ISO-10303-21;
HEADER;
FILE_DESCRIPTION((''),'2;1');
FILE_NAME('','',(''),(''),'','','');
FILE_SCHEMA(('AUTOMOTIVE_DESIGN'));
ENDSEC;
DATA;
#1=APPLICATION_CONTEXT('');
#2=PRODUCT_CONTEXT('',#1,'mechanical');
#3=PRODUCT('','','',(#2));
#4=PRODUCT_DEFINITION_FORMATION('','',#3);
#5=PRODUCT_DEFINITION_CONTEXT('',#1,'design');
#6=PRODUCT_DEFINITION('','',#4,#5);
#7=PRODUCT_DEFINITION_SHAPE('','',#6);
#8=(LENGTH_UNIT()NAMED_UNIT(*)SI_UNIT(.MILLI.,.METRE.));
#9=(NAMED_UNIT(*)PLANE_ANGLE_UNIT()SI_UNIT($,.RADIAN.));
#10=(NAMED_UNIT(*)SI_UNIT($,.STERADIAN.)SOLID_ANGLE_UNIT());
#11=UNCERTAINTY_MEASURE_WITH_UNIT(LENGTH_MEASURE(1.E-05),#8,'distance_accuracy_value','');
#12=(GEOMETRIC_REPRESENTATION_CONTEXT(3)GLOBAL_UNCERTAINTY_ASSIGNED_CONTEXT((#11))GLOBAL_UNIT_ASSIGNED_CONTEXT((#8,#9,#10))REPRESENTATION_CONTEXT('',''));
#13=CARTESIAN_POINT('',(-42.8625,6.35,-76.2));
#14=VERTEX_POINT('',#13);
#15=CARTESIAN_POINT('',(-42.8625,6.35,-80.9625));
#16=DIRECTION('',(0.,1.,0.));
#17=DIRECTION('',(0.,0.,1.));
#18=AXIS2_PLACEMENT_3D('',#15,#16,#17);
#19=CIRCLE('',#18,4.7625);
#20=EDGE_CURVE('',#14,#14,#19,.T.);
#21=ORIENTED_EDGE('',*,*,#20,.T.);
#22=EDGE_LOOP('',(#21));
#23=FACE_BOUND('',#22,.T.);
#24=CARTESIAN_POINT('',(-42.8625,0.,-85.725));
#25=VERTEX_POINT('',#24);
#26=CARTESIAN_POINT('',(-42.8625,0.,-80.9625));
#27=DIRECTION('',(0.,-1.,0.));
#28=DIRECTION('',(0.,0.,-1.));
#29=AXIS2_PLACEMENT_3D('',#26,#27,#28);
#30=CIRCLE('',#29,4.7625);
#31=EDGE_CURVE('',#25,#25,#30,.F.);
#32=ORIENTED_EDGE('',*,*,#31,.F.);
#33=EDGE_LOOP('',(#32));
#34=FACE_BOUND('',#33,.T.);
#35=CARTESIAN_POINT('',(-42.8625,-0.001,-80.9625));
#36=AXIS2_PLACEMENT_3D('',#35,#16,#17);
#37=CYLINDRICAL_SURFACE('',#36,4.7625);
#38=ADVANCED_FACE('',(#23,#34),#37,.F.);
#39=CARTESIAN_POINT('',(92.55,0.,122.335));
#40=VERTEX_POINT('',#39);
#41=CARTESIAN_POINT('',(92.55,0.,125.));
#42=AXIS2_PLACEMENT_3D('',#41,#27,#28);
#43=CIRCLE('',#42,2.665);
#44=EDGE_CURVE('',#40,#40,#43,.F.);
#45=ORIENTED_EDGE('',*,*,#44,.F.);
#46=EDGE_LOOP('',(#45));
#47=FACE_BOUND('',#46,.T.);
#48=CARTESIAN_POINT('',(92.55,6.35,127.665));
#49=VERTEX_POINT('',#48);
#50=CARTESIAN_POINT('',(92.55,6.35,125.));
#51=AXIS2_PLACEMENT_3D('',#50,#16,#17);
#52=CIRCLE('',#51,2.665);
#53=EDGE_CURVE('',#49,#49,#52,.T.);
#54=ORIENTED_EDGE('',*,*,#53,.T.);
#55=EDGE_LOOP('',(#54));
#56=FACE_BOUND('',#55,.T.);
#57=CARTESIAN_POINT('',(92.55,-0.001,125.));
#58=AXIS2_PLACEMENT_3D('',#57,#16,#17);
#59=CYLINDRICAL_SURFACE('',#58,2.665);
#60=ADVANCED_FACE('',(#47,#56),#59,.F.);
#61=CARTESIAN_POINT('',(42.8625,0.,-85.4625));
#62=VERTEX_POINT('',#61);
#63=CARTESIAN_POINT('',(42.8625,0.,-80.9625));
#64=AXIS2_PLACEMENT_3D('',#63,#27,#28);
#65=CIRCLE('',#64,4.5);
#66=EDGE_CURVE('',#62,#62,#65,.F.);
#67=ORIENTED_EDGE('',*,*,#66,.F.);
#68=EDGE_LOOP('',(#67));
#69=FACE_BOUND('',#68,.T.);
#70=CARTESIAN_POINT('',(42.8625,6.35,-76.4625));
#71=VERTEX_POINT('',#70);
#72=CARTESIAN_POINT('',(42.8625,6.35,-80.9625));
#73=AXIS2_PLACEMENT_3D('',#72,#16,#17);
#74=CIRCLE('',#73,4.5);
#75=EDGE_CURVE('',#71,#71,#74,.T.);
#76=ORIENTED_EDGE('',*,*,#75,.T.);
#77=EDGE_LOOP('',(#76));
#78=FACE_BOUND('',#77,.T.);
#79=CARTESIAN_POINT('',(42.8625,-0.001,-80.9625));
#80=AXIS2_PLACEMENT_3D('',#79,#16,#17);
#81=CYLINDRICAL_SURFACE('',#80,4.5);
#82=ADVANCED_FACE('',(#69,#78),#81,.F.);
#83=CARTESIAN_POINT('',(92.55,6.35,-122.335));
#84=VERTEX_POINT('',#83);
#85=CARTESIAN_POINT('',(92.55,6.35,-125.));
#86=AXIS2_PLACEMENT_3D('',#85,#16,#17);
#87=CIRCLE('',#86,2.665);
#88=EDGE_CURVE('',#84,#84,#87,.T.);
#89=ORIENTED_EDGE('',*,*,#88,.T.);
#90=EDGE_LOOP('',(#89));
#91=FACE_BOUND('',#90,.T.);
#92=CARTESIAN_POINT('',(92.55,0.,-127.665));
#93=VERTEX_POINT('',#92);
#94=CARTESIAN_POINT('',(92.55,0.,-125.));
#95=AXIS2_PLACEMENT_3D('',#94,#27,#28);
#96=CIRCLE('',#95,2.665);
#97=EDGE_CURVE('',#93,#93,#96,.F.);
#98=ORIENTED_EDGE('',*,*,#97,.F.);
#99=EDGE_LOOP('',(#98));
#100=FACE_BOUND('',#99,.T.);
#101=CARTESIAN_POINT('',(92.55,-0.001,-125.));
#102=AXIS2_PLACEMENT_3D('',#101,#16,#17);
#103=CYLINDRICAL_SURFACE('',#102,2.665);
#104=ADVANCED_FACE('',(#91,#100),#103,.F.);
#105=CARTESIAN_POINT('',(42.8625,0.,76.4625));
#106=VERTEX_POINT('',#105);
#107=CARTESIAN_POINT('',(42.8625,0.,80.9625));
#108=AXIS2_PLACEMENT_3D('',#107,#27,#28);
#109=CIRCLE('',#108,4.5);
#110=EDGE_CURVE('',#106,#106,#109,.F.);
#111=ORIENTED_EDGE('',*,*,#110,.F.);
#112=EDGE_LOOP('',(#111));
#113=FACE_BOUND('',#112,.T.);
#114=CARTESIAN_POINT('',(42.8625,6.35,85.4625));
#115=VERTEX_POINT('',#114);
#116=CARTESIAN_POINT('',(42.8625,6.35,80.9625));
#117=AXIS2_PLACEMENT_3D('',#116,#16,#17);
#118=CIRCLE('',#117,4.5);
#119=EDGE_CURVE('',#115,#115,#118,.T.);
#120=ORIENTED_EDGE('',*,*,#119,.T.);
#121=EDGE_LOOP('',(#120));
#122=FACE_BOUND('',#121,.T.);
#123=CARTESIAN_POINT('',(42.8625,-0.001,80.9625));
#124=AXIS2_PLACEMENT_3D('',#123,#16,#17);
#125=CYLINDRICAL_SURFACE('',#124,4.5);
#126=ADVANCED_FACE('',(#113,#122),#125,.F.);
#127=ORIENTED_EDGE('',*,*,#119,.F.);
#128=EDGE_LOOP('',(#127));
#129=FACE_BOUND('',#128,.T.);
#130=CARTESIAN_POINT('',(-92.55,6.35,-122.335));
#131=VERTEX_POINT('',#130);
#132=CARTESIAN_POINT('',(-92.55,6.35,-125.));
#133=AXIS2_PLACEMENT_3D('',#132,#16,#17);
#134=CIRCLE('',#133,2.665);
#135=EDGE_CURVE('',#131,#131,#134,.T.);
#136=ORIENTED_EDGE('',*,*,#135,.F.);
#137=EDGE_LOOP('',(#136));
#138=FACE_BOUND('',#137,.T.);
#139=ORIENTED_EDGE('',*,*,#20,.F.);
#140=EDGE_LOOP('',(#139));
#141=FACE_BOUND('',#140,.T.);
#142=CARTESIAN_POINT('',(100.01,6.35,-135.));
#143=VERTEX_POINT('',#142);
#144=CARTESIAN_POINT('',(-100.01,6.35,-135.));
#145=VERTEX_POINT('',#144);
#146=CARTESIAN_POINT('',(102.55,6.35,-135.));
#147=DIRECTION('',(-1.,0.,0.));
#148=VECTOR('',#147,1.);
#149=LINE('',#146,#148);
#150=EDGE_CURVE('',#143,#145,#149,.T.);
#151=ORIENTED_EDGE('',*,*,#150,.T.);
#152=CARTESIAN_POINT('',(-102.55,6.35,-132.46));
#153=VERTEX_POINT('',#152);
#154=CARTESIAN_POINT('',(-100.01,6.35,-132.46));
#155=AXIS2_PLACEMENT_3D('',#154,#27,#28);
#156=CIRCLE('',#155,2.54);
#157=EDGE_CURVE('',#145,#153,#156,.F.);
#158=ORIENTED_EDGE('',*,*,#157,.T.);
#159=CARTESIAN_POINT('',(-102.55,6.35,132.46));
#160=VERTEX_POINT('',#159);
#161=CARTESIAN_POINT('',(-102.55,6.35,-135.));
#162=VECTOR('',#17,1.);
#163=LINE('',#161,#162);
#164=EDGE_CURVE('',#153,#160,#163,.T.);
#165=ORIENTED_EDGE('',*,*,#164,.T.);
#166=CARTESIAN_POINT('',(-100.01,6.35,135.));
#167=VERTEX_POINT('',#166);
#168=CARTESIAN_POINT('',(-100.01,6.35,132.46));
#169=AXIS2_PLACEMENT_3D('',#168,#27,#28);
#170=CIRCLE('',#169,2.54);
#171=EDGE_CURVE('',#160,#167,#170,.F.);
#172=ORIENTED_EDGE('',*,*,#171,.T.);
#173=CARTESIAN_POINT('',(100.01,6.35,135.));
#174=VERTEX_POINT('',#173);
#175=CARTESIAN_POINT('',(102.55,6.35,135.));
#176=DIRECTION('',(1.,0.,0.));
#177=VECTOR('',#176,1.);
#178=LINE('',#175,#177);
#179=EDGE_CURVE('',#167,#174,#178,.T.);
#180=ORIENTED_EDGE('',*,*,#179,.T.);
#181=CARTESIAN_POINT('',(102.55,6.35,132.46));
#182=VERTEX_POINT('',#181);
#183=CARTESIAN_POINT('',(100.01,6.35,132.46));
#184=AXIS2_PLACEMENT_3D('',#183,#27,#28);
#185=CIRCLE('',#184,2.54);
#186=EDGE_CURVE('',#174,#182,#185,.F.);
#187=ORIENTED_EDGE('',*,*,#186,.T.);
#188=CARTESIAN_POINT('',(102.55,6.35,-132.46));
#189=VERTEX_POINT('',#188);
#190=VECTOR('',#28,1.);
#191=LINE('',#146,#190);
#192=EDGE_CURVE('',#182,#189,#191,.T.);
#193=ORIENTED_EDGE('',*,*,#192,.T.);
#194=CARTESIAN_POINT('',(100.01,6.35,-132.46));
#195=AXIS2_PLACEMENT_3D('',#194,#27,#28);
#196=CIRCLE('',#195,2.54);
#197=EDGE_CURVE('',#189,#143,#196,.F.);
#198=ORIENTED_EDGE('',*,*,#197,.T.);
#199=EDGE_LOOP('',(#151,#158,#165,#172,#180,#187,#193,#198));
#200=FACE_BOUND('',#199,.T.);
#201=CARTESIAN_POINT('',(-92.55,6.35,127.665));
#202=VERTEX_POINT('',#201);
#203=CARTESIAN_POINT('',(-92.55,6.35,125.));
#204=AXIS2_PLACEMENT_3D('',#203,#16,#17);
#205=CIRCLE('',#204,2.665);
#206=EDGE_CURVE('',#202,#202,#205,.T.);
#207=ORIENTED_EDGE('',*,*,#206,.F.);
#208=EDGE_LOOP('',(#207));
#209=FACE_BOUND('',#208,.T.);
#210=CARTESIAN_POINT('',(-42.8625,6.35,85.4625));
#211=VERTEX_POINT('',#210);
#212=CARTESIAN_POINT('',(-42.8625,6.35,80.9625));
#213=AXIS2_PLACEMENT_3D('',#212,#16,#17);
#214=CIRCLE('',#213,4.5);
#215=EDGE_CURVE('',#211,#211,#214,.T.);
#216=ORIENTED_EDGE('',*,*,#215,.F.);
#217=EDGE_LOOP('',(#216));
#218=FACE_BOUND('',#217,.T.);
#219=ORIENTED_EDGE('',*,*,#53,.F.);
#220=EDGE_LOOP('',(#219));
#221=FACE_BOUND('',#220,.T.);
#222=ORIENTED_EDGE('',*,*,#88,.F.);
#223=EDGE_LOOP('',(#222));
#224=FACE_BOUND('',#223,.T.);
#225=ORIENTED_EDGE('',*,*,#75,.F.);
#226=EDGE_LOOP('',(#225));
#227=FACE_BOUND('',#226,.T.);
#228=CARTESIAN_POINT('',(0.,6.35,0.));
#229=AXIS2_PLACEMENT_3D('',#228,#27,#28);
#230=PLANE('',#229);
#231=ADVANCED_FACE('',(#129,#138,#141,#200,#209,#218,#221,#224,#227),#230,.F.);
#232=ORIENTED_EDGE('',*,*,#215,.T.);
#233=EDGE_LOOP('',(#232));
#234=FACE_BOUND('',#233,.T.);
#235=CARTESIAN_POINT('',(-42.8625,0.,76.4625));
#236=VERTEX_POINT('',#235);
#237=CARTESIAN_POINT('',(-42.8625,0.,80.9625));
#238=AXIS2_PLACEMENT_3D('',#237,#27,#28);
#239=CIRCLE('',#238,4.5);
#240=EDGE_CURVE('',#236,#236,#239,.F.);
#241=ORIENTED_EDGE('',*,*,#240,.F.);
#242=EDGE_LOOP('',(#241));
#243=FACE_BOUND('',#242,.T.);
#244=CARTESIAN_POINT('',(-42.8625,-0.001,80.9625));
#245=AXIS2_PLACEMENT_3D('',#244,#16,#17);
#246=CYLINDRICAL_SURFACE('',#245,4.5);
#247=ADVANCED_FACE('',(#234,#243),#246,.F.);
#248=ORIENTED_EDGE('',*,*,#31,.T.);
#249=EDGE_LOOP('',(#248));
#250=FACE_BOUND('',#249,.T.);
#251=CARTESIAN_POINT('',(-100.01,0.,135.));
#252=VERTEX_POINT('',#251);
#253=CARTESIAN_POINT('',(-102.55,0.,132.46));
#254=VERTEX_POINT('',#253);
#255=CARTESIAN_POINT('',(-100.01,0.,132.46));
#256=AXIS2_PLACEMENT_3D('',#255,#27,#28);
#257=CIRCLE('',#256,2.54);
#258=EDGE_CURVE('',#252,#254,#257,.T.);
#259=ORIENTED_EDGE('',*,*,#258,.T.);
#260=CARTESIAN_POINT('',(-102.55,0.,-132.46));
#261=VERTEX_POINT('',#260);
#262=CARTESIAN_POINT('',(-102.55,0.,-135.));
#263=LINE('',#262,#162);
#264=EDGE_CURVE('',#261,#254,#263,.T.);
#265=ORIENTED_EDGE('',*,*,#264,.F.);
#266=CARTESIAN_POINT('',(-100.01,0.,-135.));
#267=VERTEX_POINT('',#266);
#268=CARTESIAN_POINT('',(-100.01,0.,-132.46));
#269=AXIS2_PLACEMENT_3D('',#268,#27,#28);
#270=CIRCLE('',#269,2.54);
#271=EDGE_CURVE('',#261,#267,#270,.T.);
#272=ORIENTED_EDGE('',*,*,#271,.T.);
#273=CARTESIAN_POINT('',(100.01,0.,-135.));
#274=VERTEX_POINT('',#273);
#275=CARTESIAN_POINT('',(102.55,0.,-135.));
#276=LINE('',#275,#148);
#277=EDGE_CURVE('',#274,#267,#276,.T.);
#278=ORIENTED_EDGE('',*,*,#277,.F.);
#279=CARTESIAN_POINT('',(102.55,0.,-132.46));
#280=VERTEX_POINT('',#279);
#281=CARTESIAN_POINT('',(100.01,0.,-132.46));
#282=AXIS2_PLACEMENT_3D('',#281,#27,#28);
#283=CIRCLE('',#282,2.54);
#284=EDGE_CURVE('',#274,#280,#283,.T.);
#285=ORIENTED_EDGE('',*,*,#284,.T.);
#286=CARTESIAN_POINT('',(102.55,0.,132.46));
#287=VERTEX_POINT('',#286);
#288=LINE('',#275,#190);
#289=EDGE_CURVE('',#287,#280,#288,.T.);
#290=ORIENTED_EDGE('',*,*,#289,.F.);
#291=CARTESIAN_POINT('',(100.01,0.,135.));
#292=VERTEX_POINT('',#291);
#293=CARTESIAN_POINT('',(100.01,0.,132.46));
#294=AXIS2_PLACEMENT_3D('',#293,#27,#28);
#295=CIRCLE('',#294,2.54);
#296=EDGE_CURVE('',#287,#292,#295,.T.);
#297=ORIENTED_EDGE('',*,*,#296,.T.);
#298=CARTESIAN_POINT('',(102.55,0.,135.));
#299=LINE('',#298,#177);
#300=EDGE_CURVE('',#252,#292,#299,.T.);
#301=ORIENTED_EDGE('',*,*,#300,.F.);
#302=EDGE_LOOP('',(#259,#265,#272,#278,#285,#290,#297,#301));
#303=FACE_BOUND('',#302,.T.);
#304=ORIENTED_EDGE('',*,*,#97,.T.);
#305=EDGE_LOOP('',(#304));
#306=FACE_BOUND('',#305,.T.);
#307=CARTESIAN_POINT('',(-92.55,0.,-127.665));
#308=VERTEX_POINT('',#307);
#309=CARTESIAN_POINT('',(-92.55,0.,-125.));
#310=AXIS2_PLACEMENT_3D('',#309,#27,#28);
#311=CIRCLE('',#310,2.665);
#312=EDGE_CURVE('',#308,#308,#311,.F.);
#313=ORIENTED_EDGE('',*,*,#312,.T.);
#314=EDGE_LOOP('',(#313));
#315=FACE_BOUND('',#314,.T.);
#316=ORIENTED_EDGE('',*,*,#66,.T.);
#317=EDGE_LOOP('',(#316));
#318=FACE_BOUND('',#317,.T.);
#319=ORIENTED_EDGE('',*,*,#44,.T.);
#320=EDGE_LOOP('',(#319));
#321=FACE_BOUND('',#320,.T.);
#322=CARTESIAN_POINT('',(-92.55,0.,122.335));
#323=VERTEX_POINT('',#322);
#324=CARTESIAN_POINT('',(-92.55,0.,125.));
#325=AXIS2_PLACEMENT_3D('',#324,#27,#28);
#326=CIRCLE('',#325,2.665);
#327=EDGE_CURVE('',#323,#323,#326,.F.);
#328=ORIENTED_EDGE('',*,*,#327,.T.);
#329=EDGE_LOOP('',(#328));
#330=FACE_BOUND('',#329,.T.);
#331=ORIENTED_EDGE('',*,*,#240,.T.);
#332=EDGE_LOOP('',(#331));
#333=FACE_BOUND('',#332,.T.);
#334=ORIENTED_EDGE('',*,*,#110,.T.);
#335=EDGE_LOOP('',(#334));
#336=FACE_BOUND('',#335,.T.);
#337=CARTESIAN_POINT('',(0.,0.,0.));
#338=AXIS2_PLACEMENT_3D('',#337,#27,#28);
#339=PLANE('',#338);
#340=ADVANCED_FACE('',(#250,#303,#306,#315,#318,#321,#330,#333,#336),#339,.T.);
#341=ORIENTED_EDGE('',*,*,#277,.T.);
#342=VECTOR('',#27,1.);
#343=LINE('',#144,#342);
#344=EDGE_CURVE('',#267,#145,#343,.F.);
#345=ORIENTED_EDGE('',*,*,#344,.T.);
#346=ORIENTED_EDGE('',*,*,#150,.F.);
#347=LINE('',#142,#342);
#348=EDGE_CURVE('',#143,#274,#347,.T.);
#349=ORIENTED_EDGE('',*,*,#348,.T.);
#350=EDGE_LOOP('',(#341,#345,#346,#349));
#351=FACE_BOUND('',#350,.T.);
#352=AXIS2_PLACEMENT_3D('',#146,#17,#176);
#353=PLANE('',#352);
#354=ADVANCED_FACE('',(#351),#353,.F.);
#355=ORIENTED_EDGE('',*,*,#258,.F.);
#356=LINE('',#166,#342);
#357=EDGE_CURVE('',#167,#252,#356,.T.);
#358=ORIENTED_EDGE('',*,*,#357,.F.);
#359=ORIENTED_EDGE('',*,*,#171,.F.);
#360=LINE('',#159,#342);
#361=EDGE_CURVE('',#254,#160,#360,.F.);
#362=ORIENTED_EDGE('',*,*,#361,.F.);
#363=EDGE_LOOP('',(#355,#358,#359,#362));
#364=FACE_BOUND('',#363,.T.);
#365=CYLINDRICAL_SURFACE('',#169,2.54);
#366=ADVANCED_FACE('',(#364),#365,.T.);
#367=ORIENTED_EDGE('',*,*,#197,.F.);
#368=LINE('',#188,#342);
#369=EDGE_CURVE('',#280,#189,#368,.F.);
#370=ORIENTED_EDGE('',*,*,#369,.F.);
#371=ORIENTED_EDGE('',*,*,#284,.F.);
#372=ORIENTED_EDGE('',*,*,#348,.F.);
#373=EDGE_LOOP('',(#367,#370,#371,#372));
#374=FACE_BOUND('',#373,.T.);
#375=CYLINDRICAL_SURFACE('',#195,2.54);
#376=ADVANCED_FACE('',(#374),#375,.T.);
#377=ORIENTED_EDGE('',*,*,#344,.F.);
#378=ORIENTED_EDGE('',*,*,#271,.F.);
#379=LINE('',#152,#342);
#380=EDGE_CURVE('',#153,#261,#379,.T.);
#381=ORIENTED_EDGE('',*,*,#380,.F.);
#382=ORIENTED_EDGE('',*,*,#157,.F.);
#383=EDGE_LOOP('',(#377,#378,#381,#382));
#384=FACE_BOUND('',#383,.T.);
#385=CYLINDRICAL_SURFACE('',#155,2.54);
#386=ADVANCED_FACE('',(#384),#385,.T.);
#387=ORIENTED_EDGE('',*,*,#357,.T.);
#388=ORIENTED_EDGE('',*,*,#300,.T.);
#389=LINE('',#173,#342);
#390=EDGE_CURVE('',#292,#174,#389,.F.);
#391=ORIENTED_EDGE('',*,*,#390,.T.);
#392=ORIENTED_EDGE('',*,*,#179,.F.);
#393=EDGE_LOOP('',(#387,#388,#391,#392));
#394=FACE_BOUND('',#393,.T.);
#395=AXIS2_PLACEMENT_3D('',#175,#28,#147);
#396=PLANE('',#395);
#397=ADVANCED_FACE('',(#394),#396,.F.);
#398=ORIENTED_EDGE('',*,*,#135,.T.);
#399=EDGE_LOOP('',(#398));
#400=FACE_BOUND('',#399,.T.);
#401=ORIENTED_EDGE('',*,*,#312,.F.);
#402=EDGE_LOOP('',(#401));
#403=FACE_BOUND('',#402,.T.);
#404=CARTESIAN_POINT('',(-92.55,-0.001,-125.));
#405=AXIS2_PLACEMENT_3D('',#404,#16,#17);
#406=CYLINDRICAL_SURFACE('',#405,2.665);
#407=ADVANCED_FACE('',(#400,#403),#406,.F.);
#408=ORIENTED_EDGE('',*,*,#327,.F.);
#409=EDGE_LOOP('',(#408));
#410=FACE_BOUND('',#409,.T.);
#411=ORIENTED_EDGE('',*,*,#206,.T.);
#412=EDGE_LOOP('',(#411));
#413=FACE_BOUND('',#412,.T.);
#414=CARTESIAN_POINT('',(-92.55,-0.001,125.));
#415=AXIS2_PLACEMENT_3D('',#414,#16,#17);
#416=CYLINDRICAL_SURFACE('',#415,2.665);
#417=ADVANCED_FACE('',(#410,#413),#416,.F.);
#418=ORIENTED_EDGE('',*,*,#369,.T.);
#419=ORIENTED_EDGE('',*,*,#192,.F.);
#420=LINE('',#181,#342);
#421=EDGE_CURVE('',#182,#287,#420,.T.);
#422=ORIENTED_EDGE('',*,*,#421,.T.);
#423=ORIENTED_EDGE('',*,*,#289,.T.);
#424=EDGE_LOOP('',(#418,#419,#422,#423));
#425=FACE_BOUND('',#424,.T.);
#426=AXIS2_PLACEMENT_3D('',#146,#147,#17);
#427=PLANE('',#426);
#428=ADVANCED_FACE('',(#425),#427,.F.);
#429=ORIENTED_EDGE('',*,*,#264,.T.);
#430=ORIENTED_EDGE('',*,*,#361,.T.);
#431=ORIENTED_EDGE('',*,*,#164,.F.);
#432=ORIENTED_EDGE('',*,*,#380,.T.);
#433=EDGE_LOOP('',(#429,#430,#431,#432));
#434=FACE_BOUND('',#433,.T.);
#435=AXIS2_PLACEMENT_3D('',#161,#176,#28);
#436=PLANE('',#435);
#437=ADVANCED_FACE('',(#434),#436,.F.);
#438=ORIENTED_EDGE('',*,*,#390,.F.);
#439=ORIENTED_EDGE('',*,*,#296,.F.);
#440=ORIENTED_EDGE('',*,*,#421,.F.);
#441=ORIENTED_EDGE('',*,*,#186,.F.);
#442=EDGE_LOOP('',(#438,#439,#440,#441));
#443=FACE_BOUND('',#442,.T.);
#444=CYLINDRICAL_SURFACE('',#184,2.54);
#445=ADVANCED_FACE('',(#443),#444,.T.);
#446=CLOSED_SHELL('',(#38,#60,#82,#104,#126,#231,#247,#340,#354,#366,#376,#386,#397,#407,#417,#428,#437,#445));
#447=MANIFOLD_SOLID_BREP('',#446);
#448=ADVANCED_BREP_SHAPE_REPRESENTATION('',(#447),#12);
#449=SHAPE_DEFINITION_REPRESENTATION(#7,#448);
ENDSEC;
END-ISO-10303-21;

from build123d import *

# Parameters (mm, degrees)
SKETCH1_W           = 205.1
SKETCH1_H           = 270
BOSS_EXTRUDE1_DEPTH = 6.35
CUT_EXTRUDE2_REACH  = 171.652
SKETCH3_R           = 2.665
CUT_EXTRUDE3_REACH  = 171.652
SKETCH2_R           = 4.7625
SKETCH2_R_2         = 4.5
FILLET1_R           = 2.54


with BuildPart() as part:
    # Sketch1 → Boss-Extrude1 (new body)
    with BuildSketch(Plane(origin=(0, 0, 0), x_dir=(1, 0, 0), z_dir=(0, 1, 0))):
        Rectangle(SKETCH1_W, SKETCH1_H)
    extrude(amount=BOSS_EXTRUDE1_DEPTH)

    # Sketch3 → Cut-Extrude2 (cut, up to next)
    with BuildSketch(Plane(origin=(0, 6.35, 0), x_dir=(-1, 0, 0), z_dir=(0, 1, 0)), mode=Mode.PRIVATE) as cut_extrude2_sk1:
        with Locations(Location((92.55, 125, 0), (0, 0, 90))):
            Circle(SKETCH3_R)
    cut_extrude2_tool1 = extrude(cut_extrude2_sk1.sketch, amount=-CUT_EXTRUDE2_REACH, mode=Mode.PRIVATE) & part.part
    # Sketch3 → Cut-Extrude2 (cut, up to next)
    with BuildSketch(Plane(origin=(0, 6.35, 0), x_dir=(-1, 0, 0), z_dir=(0, 1, 0)), mode=Mode.PRIVATE) as cut_extrude2_sk2:
        with Locations(Location((-92.55, 125, 0), (0, 0, 90))):
            Circle(SKETCH3_R)
    cut_extrude2_tool2 = extrude(cut_extrude2_sk2.sketch, amount=-CUT_EXTRUDE2_REACH, mode=Mode.PRIVATE) & part.part
    # Sketch3 → Cut-Extrude2 (cut, up to next)
    with BuildSketch(Plane(origin=(0, 6.35, 0), x_dir=(-1, 0, 0), z_dir=(0, 1, 0)), mode=Mode.PRIVATE) as cut_extrude2_sk3:
        with Locations(Location((-92.55, -125, 0), (0, 0, 90))):
            Circle(SKETCH3_R)
    cut_extrude2_tool3 = extrude(cut_extrude2_sk3.sketch, amount=-CUT_EXTRUDE2_REACH, mode=Mode.PRIVATE) & part.part
    # Sketch3 → Cut-Extrude2 (cut, up to next)
    with BuildSketch(Plane(origin=(0, 6.35, 0), x_dir=(-1, 0, 0), z_dir=(0, 1, 0)), mode=Mode.PRIVATE) as cut_extrude2_sk4:
        with Locations(Location((92.55, -125, 0), (0, 0, 90))):
            Circle(SKETCH3_R)
    cut_extrude2_tool4 = extrude(cut_extrude2_sk4.sketch, amount=-CUT_EXTRUDE2_REACH, mode=Mode.PRIVATE) & part.part
    add(cut_extrude2_tool1.solids().sort_by_distance((-92.55, 6.35, 125))[0], mode=Mode.SUBTRACT)
    add(cut_extrude2_tool2.solids().sort_by_distance((92.55, 6.35, 125))[0], mode=Mode.SUBTRACT)
    add(cut_extrude2_tool3.solids().sort_by_distance((92.55, 6.35, -125))[0], mode=Mode.SUBTRACT)
    add(cut_extrude2_tool4.solids().sort_by_distance((-92.55, 6.35, -125))[0], mode=Mode.SUBTRACT)

    # Sketch2 → Cut-Extrude3 (cut, up to next)
    with BuildSketch(Plane(origin=(0, 6.35, 0), x_dir=(1, 0, 0), z_dir=(0, 1, 0)), mode=Mode.PRIVATE) as cut_extrude3_sk1:
        with Locations(Location((-42.8625, 80.9625, 0), (0, 0, 270))):
            Circle(SKETCH2_R)
    cut_extrude3_tool1 = extrude(cut_extrude3_sk1.sketch, amount=-CUT_EXTRUDE3_REACH, mode=Mode.PRIVATE) & part.part
    # Sketch2 → Cut-Extrude3 (cut, up to next)
    with BuildSketch(Plane(origin=(0, 6.35, 0), x_dir=(1, 0, 0), z_dir=(0, 1, 0)), mode=Mode.PRIVATE) as cut_extrude3_sk2:
        with Locations(Location((-42.8625, -80.9625, 0), (0, 0, 270))):
            Circle(SKETCH2_R_2)
    cut_extrude3_tool2 = extrude(cut_extrude3_sk2.sketch, amount=-CUT_EXTRUDE3_REACH, mode=Mode.PRIVATE) & part.part
    # Sketch2 → Cut-Extrude3 (cut, up to next)
    with BuildSketch(Plane(origin=(0, 6.35, 0), x_dir=(1, 0, 0), z_dir=(0, 1, 0)), mode=Mode.PRIVATE) as cut_extrude3_sk3:
        with Locations(Location((42.8625, -80.9625, 0), (0, 0, 270))):
            Circle(SKETCH2_R_2)
    cut_extrude3_tool3 = extrude(cut_extrude3_sk3.sketch, amount=-CUT_EXTRUDE3_REACH, mode=Mode.PRIVATE) & part.part
    # Sketch2 → Cut-Extrude3 (cut, up to next)
    with BuildSketch(Plane(origin=(0, 6.35, 0), x_dir=(1, 0, 0), z_dir=(0, 1, 0)), mode=Mode.PRIVATE) as cut_extrude3_sk4:
        with Locations(Location((42.8625, 80.9625, 0), (0, 0, 270))):
            Circle(SKETCH2_R_2)
    cut_extrude3_tool4 = extrude(cut_extrude3_sk4.sketch, amount=-CUT_EXTRUDE3_REACH, mode=Mode.PRIVATE) & part.part
    add(cut_extrude3_tool1.solids().sort_by_distance((-42.8625, 6.35, -80.9625))[0], mode=Mode.SUBTRACT)
    add(cut_extrude3_tool2.solids().sort_by_distance((-42.8625, 6.35, 80.9625))[0], mode=Mode.SUBTRACT)
    add(cut_extrude3_tool3.solids().sort_by_distance((42.8625, 6.35, 80.9625))[0], mode=Mode.SUBTRACT)
    add(cut_extrude3_tool4.solids().sort_by_distance((42.8625, 6.35, -80.9625))[0], mode=Mode.SUBTRACT)

    # Fillet1
    fillet1_edges = [part.edges().sort_by_distance(p)[0] for p in [
        (-102.55, 3.175, -135),
        (102.55, 3.175, -135),
        (102.55, 3.175, 135),
        (-102.55, 3.175, 135),
    ]]
    fillet(fillet1_edges, radius=FILLET1_R)


solid = part.part
